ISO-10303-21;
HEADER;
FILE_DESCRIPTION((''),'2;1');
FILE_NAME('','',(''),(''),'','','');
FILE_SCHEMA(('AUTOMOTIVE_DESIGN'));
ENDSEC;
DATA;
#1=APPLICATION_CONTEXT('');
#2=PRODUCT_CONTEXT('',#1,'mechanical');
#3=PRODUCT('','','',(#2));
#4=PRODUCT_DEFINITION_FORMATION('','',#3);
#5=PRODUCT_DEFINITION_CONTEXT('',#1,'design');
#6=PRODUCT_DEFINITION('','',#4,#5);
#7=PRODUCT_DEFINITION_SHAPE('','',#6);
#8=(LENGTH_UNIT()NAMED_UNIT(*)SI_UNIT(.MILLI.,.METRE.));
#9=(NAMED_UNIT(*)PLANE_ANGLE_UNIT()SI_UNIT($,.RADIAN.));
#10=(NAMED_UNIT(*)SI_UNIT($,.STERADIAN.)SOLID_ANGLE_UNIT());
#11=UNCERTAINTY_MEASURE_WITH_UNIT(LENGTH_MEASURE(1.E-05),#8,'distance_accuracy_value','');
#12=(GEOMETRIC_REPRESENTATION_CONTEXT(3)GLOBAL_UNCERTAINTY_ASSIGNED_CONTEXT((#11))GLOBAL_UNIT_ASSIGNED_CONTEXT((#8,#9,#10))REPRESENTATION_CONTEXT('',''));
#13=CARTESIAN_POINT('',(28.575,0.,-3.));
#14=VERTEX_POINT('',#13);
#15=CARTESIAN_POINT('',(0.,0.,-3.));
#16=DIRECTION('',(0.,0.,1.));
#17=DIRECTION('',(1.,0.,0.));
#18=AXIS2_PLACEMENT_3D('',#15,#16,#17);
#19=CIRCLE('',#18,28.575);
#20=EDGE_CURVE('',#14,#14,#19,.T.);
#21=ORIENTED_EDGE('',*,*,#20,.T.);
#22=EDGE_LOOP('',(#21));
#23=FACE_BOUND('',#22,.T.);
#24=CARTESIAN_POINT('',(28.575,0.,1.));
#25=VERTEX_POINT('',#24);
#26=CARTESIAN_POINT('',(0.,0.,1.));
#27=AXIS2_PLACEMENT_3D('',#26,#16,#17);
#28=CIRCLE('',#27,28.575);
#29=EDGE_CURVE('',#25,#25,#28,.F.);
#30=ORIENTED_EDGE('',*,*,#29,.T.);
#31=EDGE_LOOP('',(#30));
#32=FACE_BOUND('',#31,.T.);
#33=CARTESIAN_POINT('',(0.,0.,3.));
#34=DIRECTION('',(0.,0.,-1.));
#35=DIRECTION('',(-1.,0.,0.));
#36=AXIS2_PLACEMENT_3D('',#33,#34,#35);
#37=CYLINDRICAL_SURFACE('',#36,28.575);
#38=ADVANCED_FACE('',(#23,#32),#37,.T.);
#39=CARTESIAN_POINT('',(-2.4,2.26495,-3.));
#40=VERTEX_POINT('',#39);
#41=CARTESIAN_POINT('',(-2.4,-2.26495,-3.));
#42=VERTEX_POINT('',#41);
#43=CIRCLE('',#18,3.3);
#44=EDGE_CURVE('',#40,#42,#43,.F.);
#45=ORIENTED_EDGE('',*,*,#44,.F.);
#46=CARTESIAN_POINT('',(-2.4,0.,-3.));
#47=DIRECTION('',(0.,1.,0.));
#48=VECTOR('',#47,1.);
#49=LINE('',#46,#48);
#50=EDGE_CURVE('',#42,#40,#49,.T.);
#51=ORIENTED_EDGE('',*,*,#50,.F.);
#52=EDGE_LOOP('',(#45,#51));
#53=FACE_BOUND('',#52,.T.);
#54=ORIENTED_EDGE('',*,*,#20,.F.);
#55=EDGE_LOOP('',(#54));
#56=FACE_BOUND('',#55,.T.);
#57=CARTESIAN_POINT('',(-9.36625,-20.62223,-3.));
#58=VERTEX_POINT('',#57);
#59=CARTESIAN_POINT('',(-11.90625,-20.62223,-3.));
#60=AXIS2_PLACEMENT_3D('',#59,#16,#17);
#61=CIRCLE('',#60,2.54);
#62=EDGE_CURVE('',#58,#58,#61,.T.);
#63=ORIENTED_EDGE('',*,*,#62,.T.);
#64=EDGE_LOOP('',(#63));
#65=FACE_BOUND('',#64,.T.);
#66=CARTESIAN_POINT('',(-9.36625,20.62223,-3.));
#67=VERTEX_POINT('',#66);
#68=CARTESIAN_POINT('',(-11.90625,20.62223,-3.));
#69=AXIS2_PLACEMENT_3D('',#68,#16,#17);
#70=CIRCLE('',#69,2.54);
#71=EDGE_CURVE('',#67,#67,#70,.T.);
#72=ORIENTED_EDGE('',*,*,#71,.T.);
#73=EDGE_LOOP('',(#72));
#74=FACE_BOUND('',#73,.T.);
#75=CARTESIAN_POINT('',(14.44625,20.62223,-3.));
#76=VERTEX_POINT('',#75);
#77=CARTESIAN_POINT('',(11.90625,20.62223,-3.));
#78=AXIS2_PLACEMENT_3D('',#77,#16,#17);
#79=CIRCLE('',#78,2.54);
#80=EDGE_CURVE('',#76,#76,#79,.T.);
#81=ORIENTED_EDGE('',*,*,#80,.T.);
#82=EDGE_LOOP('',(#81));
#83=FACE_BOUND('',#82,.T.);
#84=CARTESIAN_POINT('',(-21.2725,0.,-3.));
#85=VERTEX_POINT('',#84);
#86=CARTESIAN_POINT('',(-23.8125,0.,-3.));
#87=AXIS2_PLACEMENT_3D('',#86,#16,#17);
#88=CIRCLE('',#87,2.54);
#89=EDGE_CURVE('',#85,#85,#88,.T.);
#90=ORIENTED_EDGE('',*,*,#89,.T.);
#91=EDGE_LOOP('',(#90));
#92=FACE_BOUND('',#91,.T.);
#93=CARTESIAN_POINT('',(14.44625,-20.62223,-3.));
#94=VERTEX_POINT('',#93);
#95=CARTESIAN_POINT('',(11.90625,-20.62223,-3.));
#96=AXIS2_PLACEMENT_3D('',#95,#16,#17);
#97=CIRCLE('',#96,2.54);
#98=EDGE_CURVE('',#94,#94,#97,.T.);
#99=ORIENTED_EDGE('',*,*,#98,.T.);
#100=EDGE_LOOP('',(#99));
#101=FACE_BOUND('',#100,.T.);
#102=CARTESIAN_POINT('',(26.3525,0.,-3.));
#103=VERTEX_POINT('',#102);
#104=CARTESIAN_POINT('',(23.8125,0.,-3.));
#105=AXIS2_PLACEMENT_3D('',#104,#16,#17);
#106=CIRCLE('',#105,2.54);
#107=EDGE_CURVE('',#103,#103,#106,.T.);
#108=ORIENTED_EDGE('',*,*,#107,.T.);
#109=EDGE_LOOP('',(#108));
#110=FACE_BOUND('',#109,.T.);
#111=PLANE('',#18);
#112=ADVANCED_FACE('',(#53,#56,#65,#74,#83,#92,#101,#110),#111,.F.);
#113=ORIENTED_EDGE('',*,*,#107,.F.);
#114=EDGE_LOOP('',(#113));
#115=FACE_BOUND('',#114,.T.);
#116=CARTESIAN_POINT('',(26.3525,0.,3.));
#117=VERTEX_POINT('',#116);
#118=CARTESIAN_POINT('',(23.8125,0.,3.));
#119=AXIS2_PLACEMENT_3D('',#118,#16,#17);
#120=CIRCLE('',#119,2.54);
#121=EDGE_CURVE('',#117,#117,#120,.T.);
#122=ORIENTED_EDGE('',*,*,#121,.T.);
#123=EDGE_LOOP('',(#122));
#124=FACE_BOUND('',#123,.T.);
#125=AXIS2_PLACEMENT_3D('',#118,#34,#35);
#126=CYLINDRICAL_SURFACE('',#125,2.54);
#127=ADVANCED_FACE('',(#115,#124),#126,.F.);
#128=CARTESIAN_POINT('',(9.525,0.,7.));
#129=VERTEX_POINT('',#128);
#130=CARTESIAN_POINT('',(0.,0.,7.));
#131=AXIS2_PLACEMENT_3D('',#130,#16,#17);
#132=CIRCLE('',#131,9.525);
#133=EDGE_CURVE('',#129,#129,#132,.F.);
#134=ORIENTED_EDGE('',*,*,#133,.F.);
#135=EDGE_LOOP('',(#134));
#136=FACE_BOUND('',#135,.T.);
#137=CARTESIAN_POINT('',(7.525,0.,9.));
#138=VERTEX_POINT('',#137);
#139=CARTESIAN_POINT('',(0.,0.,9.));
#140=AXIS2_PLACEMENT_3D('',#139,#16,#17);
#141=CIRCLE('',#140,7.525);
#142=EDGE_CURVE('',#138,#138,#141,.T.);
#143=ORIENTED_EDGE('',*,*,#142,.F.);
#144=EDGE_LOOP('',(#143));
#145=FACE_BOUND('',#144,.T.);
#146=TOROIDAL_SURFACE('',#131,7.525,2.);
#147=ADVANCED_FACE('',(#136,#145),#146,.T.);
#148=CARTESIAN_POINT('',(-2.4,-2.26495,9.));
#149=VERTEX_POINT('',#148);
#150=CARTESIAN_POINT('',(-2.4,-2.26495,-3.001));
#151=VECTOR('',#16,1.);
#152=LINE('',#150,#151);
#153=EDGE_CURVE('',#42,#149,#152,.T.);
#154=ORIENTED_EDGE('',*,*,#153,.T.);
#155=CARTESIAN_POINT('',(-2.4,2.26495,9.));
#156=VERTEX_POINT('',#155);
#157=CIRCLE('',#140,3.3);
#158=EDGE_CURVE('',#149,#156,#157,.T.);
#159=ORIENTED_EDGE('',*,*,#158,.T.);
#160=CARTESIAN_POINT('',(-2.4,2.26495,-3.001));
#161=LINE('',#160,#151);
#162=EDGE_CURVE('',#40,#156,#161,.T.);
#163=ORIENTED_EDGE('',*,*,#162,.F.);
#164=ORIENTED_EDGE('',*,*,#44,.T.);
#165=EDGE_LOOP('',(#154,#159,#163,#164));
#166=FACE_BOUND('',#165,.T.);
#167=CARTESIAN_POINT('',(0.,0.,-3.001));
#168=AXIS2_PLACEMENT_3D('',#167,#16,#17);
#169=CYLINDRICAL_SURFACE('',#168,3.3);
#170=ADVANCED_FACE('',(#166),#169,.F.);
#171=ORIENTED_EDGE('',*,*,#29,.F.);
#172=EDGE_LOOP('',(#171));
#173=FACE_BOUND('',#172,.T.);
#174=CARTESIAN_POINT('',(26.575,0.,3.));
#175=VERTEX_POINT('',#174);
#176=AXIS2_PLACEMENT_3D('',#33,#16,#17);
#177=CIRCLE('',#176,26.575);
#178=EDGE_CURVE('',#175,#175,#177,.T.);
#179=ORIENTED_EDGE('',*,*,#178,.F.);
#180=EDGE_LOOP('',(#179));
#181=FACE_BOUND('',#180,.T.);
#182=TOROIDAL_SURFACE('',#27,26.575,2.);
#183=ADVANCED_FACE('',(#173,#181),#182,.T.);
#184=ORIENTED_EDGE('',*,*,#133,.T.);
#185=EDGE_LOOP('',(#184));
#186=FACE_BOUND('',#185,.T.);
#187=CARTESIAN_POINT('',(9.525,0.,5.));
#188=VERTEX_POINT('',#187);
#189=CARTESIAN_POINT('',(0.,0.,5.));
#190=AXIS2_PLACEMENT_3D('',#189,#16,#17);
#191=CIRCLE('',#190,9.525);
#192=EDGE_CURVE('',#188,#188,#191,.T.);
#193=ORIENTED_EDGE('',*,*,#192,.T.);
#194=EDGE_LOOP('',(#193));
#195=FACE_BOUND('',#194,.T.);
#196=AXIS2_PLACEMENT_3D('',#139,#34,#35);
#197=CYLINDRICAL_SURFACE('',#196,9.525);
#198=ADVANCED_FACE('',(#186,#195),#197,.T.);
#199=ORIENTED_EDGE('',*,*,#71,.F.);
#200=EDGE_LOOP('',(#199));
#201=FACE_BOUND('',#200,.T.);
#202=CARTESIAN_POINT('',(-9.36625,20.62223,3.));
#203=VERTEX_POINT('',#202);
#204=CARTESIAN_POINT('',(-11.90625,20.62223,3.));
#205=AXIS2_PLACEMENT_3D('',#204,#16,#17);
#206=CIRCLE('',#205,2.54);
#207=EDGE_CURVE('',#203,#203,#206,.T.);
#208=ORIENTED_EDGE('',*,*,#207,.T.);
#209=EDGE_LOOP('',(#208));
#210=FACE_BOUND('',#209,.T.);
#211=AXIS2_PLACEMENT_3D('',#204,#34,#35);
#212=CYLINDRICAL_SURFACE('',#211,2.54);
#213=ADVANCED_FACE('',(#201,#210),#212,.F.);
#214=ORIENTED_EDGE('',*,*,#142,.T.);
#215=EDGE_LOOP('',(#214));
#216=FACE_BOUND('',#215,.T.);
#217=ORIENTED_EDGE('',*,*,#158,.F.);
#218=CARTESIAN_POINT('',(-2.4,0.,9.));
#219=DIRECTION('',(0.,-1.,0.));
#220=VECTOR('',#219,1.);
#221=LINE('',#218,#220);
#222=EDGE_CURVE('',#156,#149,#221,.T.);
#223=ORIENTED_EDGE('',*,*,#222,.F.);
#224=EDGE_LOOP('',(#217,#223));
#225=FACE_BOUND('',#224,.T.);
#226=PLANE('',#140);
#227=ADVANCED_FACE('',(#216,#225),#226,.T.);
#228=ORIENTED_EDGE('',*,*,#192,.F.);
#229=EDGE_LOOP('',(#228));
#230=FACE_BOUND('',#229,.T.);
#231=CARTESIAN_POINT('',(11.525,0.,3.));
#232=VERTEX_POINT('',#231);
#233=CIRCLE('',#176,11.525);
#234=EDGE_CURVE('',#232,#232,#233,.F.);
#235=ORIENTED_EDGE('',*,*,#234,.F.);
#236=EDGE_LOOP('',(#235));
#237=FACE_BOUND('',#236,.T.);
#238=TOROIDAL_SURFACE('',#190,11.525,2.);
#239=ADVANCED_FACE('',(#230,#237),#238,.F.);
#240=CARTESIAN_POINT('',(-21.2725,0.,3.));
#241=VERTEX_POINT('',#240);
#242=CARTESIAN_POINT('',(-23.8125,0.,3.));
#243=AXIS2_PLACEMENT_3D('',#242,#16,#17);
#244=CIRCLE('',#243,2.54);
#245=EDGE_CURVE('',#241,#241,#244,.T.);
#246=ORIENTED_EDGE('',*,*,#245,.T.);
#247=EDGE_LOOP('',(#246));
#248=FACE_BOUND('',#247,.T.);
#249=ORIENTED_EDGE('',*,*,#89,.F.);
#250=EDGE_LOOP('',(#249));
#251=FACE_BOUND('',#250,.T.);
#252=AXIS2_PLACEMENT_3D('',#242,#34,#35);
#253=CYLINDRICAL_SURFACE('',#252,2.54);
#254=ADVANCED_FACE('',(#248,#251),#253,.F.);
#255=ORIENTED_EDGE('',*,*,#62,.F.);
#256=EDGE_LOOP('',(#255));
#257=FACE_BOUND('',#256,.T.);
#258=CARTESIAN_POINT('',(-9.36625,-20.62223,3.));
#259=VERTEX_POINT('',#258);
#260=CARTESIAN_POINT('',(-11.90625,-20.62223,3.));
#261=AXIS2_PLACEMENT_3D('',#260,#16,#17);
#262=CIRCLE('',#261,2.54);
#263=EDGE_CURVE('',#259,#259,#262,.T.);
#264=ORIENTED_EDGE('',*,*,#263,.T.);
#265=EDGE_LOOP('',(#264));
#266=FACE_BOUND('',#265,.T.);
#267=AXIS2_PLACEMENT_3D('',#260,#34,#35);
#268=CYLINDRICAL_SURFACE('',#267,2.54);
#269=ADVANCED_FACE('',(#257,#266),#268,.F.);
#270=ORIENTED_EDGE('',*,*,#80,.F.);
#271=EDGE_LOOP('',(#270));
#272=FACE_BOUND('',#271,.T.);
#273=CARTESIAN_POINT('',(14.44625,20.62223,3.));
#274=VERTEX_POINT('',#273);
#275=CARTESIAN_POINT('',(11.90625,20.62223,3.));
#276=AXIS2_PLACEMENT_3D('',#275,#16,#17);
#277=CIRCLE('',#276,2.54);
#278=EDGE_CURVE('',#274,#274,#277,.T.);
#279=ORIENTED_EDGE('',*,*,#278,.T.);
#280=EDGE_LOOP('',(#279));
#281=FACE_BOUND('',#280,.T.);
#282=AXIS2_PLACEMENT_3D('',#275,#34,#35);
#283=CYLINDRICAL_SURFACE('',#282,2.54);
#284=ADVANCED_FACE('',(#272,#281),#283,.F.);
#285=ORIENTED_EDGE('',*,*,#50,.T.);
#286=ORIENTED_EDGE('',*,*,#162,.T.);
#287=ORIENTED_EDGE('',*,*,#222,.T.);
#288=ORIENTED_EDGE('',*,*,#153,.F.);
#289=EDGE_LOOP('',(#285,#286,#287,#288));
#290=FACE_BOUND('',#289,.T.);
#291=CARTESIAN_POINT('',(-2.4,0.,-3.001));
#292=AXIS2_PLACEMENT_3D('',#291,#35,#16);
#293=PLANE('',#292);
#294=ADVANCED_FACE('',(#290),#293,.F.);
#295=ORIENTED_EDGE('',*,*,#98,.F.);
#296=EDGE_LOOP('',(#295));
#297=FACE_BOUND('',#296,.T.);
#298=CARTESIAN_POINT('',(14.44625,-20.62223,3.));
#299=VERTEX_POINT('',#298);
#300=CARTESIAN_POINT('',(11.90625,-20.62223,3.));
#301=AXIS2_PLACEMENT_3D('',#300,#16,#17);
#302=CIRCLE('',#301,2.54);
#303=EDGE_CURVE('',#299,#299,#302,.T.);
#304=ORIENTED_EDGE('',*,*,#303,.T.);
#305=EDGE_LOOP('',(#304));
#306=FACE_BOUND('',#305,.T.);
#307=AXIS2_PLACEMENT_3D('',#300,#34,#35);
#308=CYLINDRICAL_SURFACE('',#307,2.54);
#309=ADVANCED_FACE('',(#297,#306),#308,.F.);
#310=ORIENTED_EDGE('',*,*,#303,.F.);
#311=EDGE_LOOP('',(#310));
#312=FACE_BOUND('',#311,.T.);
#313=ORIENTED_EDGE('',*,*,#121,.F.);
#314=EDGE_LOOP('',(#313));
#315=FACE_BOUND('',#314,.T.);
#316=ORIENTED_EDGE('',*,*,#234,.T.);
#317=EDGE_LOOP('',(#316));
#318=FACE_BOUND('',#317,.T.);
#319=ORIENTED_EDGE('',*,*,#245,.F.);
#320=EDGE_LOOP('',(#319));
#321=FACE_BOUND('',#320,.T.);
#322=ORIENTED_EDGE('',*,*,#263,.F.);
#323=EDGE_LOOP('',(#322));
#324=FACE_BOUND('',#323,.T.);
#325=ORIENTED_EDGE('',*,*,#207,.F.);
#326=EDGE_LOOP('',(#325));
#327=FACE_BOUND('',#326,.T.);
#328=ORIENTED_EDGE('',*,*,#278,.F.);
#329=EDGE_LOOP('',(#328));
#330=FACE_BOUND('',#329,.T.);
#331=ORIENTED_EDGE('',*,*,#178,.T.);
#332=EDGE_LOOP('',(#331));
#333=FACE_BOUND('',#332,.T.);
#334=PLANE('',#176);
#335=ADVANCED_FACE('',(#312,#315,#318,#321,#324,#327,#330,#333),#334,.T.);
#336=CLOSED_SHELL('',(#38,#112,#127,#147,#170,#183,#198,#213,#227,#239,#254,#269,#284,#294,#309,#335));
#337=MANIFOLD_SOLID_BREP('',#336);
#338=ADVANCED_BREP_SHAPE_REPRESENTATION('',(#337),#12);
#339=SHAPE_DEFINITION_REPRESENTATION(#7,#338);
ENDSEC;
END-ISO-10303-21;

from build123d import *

# Parameters (mm, degrees)
SKETCH1_R           = 28.575
SKETCH1_R_2         = 2.54
BOSS_EXTRUDE1_DEPTH = 3
SKETCH2_R           = 9.525
BOSS_EXTRUDE2_DEPTH = 6
CUT_EXTRUDE1_REACH  = 44.155
FILLET1_R           = 2


with BuildPart() as part:
    # Sketch1 → Boss-Extrude1 (new, symmetric)
    with BuildSketch(Plane.XY):
        Circle(SKETCH1_R)
        with Locations((-23.8125, 0)):
            Circle(SKETCH1_R_2, mode=Mode.SUBTRACT)
        with Locations((-11.90625, 20.622229928)):
            Circle(SKETCH1_R_2, mode=Mode.SUBTRACT)
        with Locations((11.90625, 20.622229928)):
            Circle(SKETCH1_R_2, mode=Mode.SUBTRACT)
        with Locations((23.8125, 0)):
            Circle(SKETCH1_R_2, mode=Mode.SUBTRACT)
        with Locations((11.90625, -20.622229928)):
            Circle(SKETCH1_R_2, mode=Mode.SUBTRACT)
        with Locations((-11.90625, -20.622229928)):
            Circle(SKETCH1_R_2, mode=Mode.SUBTRACT)
    extrude(amount=BOSS_EXTRUDE1_DEPTH, both=True)

    # Sketch2 → Boss-Extrude2 (add)
    with BuildSketch(Plane.XY.offset(3)):
        Circle(SKETCH2_R)
    extrude(amount=BOSS_EXTRUDE2_DEPTH)

    # Sketch3 → Cut-Extrude1 (cut, up to next)
    with BuildSketch(Plane.XY.offset(9), mode=Mode.PRIVATE) as cut_extrude1_sk1:
        with BuildLine():
            ThreePointArc((3.3, 0), (1.218605761, 3.066757245), (-2.4, 2.264950331))
            Line((-2.4, 2.264950331), (-2.4, -2.264950331))
            ThreePointArc((-2.4, -2.264950331), (1.218605761, -3.066757245), (3.3, 0))
        make_face()
    cut_extrude1_tool1 = extrude(cut_extrude1_sk1.sketch, amount=-CUT_EXTRUDE1_REACH, mode=Mode.PRIVATE) & part.part
    add(cut_extrude1_tool1.solids().sort_by_distance((0.246613, 0, 9))[0], mode=Mode.SUBTRACT)

    # Fillet1
    fillet1_edges = [part.edges().sort_by_distance(p)[0] for p in [
        (-9.525, 0, 3),
        (-9.525, 0, 9),
        (-28.575, 0, 3),
    ]]
    fillet(fillet1_edges, radius=FILLET1_R)


solid = part.part
